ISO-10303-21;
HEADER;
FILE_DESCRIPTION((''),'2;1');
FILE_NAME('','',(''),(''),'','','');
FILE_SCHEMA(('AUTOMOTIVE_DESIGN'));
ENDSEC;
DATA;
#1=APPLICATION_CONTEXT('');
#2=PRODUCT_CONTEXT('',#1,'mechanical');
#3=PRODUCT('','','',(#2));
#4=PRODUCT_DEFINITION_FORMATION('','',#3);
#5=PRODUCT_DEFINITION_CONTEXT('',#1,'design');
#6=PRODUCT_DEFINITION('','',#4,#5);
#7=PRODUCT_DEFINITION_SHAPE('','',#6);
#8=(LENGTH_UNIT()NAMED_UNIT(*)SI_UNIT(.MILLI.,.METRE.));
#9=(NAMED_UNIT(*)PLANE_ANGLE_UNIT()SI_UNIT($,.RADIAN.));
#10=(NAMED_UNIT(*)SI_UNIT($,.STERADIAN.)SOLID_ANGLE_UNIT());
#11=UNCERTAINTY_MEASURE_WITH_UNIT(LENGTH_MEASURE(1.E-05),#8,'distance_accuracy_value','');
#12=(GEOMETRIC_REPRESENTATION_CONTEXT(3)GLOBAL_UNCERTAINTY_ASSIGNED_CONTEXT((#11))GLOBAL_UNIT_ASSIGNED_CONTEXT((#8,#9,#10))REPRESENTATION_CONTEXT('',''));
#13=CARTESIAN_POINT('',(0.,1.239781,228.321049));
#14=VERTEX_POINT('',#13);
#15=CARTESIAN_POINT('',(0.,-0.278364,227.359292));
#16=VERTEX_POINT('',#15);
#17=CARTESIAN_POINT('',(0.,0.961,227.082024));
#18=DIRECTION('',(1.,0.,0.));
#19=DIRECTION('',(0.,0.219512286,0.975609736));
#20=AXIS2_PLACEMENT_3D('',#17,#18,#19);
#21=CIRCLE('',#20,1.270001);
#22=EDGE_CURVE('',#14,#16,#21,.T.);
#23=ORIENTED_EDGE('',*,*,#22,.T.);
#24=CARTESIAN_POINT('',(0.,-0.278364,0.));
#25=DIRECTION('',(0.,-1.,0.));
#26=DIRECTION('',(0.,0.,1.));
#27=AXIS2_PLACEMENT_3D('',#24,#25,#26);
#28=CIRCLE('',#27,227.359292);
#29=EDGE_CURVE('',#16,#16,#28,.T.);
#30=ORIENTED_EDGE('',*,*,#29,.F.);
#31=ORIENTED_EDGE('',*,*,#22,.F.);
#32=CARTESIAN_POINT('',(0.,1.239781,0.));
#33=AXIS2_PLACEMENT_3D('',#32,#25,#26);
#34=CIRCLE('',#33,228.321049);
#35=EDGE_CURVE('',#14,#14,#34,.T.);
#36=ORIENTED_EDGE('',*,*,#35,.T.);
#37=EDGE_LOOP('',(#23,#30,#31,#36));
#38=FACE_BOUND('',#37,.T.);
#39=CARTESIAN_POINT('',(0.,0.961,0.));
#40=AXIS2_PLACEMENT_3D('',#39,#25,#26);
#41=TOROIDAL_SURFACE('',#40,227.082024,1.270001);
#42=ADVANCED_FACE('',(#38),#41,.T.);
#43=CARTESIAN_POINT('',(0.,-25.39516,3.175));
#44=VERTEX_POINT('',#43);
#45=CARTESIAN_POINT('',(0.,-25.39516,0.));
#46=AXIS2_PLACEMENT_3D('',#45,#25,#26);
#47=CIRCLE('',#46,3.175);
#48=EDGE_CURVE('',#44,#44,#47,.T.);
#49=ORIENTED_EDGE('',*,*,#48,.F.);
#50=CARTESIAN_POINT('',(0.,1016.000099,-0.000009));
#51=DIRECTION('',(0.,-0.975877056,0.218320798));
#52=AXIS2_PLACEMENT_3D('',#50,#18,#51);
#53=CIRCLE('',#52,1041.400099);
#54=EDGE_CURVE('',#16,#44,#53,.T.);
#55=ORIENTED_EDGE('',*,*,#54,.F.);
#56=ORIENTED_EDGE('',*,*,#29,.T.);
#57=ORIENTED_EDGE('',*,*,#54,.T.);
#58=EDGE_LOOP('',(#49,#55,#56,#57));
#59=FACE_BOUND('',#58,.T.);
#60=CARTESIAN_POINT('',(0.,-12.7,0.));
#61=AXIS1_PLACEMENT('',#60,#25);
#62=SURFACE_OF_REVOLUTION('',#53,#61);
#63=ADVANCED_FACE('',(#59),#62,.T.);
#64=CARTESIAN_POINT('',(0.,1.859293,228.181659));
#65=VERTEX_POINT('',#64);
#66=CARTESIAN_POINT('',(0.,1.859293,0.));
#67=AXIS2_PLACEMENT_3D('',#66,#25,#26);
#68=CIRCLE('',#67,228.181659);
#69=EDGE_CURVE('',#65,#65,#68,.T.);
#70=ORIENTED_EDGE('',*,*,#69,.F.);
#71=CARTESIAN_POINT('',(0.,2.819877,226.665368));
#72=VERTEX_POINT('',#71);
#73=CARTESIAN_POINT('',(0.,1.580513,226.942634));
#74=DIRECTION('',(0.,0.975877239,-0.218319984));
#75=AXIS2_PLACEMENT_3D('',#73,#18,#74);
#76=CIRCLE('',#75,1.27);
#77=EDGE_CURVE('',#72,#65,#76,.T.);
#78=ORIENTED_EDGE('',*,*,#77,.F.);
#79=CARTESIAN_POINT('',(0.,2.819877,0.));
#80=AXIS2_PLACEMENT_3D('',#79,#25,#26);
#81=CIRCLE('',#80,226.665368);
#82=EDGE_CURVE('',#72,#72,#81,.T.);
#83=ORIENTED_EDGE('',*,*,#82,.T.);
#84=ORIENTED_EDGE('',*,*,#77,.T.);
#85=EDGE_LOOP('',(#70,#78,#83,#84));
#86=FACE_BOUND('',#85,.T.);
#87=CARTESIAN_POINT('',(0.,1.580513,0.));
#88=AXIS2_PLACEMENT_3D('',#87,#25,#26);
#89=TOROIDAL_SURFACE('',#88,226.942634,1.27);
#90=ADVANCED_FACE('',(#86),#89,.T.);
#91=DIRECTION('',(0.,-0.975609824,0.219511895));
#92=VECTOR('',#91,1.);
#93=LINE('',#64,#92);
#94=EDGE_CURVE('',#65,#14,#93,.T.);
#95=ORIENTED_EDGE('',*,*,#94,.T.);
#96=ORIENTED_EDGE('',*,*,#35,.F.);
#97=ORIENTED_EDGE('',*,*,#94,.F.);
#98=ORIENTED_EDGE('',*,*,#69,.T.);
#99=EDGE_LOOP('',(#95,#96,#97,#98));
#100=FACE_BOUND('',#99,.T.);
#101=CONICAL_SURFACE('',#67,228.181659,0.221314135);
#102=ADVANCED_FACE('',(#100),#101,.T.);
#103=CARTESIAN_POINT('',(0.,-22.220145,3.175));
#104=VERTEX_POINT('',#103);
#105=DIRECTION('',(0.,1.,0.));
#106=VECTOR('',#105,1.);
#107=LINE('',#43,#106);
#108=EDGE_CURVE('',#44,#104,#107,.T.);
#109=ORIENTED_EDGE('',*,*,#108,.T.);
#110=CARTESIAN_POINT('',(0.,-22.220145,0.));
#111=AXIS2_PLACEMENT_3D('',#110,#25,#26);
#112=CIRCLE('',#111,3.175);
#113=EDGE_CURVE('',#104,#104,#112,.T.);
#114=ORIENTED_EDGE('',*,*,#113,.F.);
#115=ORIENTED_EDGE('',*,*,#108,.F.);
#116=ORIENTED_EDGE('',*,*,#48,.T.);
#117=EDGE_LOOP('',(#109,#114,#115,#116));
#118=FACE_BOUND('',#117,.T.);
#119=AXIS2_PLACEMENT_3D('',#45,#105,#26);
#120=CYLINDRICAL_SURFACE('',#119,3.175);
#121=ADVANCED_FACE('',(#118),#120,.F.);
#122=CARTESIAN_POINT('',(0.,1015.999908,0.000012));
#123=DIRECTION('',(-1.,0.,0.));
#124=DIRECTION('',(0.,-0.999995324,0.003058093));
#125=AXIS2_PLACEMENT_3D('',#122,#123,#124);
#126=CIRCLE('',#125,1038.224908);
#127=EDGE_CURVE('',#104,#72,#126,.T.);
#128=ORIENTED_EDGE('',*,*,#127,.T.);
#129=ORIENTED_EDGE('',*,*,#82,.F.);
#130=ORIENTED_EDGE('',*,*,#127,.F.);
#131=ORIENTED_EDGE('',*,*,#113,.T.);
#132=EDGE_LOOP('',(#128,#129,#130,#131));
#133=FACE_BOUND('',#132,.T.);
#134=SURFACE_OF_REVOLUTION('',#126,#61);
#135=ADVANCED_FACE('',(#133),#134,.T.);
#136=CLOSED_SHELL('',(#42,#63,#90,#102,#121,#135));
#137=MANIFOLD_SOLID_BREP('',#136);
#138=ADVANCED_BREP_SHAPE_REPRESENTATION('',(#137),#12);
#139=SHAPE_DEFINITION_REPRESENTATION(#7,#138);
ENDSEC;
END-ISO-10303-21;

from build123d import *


with BuildPart() as f1:
    # F0 (on Right) → F1 (revolve)
    with BuildSketch(Plane.YZ):
        with BuildLine():
            ThreePointArc((1.239781, 228.321049), (0.28135, 228.15486), (-0.278364, 227.359292))
            ThreePointArc((-0.278364, 227.359292), (-18.924988, 115.949249), (-25.39516, 3.175))
            Line((-25.39516, 3.175), (-22.220145, 3.175))
            ThreePointArc((-22.220145, 3.175), (-15.769234, 115.60017), (2.819877, 226.665368))
            ThreePointArc((2.819877, 226.665368), (2.653348, 227.622285), (1.859293, 228.181659))
            Line((1.859293, 228.181659), (1.239781, 228.321049))
        make_face()
    revolve(axis=Axis((0, -12.7, 0), (0, -1, 0)))


solid = f1.part
